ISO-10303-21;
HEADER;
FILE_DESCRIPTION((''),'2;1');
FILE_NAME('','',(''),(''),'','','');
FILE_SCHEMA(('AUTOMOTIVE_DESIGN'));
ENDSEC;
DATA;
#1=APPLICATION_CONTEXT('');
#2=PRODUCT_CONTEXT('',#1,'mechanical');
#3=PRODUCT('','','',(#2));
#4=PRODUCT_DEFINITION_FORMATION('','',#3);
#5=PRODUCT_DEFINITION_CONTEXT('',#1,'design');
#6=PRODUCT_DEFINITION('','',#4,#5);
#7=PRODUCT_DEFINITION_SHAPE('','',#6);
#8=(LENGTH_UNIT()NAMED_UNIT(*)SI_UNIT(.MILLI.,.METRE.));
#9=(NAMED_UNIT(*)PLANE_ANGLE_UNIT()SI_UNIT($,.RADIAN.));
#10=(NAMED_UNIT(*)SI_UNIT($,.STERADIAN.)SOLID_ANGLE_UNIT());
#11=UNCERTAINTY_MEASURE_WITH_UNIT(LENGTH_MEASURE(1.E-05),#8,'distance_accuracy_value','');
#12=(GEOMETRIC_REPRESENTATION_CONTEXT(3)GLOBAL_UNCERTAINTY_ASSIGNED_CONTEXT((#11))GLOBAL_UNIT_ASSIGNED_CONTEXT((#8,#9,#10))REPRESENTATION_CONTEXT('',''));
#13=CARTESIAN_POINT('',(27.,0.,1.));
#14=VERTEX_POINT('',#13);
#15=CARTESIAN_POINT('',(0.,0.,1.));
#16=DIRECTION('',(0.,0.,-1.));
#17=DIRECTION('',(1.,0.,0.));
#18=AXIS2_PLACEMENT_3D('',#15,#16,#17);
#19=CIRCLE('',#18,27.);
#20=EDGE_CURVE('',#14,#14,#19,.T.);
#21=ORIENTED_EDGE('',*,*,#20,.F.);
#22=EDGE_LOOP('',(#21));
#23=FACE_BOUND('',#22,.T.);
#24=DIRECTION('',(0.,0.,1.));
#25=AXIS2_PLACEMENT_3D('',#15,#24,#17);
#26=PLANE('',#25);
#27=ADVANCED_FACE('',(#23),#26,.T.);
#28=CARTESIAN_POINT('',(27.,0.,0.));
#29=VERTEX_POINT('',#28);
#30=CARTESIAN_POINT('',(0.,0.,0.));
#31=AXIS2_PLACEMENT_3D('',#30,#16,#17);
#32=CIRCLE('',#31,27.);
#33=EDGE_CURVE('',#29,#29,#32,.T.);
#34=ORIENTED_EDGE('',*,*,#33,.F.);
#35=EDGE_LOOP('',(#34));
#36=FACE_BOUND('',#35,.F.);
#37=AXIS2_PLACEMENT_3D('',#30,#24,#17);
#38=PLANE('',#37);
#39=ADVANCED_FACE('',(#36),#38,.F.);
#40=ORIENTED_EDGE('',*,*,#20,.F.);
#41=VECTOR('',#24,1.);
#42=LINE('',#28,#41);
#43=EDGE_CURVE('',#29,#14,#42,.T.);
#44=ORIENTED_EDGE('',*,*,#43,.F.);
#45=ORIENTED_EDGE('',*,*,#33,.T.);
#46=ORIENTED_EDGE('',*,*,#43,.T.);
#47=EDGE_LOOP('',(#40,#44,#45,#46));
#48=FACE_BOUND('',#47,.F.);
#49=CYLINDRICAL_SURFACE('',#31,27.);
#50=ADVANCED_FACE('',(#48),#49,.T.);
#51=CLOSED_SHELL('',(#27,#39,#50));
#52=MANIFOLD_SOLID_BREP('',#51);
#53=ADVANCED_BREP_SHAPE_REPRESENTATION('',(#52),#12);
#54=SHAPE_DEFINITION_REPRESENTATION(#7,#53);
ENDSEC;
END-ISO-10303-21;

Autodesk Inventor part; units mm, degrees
ref_plane "YZ Plane" through (0, 0, 0) normal (1, 0, 0) x (0, 1, 0)
ref_plane "XZ Plane" through (0, 0, 0) normal (0, 1, 0) x (-1, 0, 0)
ref_plane "XY Plane" through (0, 0, 0) normal (0, 0, 1) x (1, 0, 0)
sketch "Sketch1" plane through (0, 0, 0) normal (0, 0, 1) x (1, 0, 0)
  circle A0 centre (0, 0) radius 25
  circle A1 centre (0, 0) radius 27
  line L0 (0, 33.62) -> (0, 27)
  line L1 (0, 33.62) -> (0, 40.24)
  dimension "d5" = 50
  dimension "d17" = 2
extrude "Extrusion1" add sketch "Sketch1" along normal blind 1 contours A0 | A1
equation "\"d5\" = SaltDiameter"
equation "\"d17\" = crucible_thickness"
equation "\"SaltDiameter\" = 50"
equation "\"crucible_thickness\" = 2"
properties part number "membrane"
